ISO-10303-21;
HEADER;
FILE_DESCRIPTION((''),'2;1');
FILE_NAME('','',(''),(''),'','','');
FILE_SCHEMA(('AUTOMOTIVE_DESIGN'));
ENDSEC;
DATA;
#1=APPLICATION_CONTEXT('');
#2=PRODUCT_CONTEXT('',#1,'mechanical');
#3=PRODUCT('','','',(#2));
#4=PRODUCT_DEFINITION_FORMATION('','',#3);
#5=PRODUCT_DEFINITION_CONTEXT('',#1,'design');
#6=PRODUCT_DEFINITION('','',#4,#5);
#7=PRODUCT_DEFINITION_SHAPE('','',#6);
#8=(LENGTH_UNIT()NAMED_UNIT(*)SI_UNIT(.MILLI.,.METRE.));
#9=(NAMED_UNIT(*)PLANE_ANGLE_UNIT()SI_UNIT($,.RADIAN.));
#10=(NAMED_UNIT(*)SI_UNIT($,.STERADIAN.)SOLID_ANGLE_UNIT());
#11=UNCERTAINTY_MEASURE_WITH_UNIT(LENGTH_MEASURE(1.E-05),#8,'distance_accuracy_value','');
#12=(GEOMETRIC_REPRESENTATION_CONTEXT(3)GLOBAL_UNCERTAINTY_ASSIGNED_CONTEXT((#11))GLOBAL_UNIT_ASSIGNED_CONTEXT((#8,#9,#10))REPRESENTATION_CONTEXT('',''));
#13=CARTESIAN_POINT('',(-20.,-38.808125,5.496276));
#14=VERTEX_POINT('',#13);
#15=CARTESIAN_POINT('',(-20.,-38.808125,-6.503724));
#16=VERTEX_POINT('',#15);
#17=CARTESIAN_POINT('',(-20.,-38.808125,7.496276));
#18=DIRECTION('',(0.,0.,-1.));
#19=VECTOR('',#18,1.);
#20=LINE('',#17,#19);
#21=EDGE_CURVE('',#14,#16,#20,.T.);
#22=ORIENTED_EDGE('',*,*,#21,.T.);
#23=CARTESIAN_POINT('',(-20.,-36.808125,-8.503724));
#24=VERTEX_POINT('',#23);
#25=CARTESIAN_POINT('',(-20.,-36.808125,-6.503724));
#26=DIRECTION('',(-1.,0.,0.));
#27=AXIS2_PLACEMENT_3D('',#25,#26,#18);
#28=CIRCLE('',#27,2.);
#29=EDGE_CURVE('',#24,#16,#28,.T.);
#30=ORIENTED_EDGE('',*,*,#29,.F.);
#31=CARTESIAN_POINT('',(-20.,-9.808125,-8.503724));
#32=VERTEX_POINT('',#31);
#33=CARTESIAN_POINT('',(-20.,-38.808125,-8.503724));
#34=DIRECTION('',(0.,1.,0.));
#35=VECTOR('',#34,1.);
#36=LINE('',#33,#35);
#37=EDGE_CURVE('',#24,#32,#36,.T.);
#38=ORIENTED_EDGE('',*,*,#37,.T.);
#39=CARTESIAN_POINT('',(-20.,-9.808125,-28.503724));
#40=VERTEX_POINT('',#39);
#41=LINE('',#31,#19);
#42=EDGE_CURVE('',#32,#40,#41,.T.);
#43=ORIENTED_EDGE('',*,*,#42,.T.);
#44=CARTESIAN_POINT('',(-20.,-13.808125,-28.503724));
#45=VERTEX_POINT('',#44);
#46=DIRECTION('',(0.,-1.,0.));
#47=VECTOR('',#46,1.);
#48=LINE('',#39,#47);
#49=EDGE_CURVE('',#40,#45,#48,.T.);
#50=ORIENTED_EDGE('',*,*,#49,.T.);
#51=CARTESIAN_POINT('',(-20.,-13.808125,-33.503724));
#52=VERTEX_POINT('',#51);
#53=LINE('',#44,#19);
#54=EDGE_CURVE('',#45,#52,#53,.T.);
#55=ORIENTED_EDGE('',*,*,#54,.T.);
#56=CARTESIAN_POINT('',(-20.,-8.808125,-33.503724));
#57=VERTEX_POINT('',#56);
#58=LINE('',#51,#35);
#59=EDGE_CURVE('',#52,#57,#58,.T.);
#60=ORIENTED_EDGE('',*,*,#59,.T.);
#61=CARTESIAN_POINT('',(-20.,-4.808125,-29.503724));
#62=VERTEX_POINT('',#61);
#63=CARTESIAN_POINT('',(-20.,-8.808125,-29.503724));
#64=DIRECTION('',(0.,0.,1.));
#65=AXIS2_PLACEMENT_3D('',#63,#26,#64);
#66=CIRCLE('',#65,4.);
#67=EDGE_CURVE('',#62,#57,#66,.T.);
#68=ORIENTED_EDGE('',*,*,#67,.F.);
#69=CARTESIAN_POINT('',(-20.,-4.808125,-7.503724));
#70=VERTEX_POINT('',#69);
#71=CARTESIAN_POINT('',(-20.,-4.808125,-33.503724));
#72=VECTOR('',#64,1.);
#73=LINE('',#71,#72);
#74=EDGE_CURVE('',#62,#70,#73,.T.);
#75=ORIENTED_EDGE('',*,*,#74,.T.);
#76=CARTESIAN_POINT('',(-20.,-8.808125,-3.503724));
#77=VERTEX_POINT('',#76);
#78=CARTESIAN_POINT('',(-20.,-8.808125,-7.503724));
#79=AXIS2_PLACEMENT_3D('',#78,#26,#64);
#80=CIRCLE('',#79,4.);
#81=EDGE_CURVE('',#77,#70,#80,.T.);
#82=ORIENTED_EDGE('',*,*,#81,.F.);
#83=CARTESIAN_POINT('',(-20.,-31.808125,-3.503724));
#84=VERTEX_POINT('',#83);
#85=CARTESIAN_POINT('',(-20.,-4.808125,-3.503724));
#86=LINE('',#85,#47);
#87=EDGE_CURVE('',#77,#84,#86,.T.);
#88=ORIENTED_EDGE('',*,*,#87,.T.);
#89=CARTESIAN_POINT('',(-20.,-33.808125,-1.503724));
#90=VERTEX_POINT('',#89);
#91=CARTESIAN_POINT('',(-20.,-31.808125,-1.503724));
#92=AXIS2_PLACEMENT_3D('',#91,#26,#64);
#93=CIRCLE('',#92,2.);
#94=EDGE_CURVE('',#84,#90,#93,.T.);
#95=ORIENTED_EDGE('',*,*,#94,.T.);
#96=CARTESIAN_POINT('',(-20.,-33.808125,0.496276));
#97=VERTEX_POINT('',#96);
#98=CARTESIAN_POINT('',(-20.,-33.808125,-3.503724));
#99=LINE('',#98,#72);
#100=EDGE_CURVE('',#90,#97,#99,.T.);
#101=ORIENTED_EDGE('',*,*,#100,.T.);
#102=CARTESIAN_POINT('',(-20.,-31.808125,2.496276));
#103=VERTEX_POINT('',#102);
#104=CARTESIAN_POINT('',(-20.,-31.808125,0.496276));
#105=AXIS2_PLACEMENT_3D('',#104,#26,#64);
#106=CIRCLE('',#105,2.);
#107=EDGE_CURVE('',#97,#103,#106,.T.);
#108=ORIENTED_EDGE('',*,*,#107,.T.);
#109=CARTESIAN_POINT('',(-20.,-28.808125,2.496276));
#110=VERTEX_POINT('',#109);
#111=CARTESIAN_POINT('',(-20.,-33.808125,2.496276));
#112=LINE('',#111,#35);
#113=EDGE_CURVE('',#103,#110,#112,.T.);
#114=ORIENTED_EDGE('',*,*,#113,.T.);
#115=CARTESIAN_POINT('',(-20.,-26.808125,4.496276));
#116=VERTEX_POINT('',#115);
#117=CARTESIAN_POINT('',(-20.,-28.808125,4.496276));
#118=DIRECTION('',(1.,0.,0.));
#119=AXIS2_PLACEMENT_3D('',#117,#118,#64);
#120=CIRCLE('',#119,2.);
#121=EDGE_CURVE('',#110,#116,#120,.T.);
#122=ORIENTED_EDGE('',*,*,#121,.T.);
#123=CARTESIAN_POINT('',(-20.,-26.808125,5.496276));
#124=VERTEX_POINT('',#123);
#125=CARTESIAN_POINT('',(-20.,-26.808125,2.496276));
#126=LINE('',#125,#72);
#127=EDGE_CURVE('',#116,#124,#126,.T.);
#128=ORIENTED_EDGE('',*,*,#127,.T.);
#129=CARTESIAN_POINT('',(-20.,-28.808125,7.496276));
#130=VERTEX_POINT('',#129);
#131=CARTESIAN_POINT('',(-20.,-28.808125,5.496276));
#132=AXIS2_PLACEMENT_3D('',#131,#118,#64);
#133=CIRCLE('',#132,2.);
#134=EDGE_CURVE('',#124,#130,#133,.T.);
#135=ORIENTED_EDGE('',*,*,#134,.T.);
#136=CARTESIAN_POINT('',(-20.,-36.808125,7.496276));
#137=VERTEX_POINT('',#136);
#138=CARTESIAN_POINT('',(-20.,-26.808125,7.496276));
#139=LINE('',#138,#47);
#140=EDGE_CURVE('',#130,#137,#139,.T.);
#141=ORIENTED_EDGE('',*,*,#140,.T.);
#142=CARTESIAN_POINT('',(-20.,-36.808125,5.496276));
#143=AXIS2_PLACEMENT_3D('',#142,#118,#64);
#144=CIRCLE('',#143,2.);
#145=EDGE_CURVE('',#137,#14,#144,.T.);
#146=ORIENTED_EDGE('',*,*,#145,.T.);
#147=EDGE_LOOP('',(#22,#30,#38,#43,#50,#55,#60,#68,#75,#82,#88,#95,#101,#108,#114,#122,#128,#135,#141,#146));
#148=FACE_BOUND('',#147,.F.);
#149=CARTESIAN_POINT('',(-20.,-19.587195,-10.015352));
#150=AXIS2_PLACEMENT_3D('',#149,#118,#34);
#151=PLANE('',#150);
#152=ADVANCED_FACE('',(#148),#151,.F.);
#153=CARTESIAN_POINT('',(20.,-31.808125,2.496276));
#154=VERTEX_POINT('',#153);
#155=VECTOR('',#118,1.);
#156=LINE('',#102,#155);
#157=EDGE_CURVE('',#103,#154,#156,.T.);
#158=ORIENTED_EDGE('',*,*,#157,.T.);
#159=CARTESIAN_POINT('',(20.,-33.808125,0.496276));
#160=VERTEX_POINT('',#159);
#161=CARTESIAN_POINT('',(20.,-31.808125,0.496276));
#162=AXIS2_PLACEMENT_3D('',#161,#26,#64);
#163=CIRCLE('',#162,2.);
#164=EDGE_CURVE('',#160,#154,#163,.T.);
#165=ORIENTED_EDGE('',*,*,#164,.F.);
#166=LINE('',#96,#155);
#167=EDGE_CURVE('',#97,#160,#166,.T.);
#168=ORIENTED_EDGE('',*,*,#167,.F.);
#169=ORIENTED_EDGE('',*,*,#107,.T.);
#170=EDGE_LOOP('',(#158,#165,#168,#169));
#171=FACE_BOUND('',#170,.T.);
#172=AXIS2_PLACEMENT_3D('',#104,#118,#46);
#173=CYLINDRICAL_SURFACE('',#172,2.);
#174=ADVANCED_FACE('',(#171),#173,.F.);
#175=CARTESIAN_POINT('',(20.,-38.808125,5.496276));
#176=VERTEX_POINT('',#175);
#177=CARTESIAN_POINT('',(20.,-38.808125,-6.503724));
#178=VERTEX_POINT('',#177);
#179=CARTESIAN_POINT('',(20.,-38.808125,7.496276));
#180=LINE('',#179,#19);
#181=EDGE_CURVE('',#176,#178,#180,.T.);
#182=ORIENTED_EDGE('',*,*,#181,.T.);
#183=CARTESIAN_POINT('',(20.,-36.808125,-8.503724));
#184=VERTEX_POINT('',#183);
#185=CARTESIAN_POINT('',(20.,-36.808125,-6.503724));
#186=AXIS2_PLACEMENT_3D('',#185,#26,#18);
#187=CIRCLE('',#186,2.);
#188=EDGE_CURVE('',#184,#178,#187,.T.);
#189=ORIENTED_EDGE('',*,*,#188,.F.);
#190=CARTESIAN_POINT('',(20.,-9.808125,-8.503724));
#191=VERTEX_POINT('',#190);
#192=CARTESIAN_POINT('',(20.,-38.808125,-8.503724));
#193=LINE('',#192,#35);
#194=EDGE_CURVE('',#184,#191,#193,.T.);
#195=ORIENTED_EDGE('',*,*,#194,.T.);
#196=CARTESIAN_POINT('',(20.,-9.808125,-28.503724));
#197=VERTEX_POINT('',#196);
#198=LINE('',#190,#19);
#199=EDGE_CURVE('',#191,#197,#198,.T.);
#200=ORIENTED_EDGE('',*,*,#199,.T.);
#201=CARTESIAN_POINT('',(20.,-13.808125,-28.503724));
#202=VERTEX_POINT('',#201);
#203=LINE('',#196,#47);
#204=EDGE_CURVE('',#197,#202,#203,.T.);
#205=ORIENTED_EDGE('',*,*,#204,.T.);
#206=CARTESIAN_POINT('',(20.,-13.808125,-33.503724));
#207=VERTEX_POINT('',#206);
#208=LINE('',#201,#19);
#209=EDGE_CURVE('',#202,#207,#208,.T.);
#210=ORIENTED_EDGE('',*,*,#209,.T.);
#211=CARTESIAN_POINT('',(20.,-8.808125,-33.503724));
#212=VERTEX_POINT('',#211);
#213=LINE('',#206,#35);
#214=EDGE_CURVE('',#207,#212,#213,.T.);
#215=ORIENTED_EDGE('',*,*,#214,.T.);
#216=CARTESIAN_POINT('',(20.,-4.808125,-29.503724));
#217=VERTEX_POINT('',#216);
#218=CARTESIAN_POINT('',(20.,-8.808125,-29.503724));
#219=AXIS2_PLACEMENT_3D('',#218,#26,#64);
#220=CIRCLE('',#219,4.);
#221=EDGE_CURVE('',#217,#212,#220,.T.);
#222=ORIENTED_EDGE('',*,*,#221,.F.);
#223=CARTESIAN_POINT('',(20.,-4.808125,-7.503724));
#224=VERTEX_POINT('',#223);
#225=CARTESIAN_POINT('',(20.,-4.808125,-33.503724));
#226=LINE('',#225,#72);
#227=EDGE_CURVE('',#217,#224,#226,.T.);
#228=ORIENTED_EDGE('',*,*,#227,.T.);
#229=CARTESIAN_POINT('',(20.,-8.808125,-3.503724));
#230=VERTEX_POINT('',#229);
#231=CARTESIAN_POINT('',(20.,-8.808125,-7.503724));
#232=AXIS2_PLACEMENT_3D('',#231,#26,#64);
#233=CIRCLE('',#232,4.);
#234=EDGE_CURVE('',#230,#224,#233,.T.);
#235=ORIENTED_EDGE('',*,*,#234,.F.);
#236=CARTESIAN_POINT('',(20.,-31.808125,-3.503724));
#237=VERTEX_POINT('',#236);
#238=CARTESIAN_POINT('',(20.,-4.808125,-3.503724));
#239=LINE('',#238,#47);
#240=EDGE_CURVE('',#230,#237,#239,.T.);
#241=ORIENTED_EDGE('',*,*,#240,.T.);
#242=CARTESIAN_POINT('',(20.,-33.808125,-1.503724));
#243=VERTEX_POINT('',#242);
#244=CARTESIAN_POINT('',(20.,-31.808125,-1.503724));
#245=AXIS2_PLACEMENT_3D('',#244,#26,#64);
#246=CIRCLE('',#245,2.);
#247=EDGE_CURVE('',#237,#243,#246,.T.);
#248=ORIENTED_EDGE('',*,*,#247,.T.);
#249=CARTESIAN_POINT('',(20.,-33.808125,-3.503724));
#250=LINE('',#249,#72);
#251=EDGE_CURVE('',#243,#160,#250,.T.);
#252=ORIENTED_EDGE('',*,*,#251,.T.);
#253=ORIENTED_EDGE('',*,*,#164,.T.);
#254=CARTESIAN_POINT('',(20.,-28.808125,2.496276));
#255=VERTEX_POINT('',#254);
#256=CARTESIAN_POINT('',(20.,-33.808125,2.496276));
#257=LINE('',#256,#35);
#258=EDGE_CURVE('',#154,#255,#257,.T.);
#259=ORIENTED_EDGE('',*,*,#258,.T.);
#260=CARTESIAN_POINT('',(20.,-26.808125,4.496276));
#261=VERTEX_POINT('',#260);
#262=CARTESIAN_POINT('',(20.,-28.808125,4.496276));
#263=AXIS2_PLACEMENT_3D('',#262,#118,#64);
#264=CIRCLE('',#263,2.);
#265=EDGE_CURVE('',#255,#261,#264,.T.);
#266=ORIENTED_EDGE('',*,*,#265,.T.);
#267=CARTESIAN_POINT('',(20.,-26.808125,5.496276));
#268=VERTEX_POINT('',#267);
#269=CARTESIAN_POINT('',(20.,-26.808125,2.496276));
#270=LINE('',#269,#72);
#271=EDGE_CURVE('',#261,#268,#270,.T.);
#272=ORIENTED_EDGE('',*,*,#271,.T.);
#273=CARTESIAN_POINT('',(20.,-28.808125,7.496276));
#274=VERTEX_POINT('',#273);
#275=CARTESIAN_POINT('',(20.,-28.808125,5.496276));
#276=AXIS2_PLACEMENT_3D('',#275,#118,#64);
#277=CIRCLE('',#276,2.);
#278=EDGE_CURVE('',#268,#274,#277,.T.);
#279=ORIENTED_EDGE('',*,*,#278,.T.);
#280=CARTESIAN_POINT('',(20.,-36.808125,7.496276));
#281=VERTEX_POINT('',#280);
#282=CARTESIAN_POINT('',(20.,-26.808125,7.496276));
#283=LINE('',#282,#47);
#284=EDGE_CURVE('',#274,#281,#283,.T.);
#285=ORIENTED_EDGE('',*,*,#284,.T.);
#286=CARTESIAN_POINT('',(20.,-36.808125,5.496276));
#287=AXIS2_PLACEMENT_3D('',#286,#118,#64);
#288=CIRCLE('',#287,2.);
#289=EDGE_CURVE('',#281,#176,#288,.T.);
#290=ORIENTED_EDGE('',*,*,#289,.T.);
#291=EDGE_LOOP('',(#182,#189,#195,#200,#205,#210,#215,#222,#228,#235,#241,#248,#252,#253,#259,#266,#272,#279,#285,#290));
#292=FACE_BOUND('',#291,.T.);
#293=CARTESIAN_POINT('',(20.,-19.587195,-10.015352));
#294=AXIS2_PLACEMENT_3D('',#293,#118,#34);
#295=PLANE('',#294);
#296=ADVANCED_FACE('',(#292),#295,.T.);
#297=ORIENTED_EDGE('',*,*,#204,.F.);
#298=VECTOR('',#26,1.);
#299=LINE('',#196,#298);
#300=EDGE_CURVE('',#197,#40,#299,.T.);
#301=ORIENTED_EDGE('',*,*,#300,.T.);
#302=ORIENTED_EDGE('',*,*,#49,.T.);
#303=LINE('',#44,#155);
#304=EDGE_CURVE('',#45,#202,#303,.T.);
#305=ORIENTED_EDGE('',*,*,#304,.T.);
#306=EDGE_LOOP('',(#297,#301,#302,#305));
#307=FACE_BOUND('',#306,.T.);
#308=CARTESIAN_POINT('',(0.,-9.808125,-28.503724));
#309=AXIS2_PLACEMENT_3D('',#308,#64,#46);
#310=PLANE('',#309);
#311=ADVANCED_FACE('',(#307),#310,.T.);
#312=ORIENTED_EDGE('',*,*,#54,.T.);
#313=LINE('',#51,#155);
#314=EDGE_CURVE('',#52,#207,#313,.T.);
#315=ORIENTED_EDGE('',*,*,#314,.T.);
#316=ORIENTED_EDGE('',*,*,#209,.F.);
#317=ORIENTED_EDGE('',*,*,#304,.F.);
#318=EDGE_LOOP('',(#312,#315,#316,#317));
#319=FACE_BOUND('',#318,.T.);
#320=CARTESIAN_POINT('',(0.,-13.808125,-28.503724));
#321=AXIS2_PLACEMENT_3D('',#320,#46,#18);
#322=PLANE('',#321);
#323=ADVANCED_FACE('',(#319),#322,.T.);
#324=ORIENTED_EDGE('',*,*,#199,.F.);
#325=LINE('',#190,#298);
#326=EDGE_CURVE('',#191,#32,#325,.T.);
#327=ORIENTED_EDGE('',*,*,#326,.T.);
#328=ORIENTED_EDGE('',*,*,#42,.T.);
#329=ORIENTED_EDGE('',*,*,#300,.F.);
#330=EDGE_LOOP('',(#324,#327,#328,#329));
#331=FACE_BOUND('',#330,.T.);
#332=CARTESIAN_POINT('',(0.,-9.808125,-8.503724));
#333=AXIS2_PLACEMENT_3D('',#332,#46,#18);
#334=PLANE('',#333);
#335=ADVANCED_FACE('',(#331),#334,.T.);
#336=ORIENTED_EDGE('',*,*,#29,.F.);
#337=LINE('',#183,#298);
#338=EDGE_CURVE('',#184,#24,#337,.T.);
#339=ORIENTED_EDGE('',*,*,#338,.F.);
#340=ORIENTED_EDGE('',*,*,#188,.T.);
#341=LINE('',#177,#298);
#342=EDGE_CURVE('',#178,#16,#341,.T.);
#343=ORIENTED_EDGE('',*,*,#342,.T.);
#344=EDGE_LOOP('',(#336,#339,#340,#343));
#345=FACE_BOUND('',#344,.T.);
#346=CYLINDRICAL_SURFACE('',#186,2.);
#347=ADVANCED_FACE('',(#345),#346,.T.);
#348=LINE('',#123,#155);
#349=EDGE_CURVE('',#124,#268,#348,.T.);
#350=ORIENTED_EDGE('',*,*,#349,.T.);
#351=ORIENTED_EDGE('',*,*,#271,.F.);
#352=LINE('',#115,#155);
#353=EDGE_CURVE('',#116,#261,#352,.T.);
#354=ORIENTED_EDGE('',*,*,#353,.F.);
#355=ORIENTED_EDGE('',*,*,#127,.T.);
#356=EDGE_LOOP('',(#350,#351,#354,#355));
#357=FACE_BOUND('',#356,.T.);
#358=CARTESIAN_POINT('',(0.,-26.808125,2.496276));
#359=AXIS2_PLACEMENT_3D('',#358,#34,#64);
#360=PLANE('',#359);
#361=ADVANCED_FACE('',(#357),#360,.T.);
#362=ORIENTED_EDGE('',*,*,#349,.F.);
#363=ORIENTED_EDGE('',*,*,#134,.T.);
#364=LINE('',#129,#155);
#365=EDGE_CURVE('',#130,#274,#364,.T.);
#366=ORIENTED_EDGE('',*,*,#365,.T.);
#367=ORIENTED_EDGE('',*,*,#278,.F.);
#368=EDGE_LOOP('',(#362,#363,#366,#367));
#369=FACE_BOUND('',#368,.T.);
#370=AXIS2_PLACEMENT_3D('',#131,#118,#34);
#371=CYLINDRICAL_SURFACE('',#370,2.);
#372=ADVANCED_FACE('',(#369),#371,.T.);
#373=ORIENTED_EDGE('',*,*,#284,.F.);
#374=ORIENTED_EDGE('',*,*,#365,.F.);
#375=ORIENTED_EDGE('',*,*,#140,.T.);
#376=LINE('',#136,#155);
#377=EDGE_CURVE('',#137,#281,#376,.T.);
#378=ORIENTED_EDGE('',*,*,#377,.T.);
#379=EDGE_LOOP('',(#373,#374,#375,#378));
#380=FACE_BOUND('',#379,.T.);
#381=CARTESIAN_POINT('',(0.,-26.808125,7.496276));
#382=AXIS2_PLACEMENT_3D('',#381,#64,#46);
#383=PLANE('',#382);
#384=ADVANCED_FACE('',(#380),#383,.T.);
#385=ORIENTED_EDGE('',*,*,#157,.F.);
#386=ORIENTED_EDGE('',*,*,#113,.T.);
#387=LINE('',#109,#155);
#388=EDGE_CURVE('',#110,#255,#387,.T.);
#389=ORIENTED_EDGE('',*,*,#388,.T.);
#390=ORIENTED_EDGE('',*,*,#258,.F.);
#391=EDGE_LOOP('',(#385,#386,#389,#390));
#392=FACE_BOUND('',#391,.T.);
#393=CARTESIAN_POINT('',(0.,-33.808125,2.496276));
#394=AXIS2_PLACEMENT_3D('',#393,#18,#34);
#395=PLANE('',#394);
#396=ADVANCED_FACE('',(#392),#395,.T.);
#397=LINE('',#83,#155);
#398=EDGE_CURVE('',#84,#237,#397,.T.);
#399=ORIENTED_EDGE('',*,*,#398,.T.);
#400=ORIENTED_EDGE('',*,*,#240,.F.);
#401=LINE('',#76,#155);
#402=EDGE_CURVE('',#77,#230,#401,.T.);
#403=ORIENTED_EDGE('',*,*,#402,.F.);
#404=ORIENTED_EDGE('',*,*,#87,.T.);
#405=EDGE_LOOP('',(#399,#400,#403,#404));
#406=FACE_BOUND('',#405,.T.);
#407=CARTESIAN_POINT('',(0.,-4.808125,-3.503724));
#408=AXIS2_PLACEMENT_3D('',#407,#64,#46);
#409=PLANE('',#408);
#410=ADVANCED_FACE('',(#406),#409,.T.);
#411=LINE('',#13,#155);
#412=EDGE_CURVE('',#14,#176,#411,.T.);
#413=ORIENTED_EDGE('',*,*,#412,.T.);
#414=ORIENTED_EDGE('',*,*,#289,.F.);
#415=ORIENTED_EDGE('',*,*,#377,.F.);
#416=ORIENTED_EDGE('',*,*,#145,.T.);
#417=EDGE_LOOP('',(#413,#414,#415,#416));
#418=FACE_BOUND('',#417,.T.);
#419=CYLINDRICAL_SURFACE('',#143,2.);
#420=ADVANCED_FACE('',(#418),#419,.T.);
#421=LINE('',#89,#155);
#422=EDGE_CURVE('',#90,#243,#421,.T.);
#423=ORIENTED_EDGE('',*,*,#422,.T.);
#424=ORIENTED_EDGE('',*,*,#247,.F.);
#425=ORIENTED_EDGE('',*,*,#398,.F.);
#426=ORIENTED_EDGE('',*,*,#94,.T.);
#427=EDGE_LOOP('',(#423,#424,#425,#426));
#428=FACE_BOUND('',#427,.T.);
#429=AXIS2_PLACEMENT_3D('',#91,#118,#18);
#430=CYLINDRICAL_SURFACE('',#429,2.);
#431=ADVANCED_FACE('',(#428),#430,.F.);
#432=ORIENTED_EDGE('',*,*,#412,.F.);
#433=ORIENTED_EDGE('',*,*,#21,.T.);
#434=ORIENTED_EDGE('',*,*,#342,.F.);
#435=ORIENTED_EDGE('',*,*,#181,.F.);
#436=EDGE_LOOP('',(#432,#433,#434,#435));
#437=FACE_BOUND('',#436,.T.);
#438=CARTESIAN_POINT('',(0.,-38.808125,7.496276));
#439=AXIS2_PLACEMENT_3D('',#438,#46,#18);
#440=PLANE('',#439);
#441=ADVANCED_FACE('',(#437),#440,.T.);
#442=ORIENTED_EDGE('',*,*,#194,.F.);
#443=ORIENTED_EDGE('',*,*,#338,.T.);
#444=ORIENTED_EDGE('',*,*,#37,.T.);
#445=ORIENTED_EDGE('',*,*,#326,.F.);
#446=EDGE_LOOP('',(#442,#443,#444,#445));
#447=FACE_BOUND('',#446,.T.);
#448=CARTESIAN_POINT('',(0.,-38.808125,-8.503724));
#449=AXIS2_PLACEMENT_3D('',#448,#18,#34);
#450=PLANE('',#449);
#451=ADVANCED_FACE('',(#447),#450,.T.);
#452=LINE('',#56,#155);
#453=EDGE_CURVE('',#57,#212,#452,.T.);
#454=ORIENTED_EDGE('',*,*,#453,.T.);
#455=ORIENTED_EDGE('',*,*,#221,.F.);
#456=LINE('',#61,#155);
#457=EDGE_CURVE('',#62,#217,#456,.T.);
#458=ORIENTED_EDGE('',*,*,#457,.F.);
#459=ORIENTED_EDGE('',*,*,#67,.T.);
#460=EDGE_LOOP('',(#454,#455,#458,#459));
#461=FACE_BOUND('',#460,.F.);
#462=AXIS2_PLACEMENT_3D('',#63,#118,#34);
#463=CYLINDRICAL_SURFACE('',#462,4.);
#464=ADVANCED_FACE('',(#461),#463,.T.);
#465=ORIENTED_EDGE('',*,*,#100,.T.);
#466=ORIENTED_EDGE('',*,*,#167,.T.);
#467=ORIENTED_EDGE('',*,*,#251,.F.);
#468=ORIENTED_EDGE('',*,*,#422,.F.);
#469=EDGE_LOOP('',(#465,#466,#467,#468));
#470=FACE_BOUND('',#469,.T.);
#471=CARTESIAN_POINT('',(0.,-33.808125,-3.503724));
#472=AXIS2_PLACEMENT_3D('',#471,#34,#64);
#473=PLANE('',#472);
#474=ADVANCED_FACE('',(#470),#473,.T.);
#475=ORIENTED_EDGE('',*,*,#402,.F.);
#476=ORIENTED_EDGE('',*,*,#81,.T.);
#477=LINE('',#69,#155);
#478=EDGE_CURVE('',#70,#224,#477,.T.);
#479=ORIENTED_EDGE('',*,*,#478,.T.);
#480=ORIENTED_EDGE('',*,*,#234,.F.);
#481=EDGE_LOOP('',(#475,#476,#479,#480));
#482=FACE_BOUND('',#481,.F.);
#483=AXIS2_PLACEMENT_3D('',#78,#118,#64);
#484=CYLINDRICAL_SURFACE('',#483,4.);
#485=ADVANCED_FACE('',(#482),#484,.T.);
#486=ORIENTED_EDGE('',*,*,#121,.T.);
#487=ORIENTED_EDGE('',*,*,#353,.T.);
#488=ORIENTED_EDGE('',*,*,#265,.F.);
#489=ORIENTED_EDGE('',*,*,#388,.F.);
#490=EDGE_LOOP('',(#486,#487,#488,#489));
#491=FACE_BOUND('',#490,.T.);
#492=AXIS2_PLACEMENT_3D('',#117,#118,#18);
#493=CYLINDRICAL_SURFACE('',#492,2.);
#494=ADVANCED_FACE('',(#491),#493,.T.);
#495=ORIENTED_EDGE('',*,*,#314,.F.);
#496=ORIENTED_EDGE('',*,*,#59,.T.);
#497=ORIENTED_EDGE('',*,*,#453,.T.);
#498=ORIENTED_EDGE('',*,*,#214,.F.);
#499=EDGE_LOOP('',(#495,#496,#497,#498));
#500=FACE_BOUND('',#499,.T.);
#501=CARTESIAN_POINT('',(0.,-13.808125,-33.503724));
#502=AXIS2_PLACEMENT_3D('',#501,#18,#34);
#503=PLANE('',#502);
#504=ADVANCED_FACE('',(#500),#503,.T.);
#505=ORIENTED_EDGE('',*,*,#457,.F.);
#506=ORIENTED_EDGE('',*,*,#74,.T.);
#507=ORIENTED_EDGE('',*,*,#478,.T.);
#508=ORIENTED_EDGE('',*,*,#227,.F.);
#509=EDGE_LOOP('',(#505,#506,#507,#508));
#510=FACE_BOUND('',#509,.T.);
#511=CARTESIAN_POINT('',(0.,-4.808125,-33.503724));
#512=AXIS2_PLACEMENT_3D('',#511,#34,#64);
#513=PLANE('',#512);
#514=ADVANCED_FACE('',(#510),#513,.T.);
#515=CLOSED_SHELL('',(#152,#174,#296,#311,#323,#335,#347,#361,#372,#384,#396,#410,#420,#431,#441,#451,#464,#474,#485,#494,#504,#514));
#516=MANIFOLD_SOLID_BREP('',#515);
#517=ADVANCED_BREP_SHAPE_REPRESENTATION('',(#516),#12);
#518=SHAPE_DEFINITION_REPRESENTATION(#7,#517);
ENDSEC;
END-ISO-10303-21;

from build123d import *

# Parameters (mm, degrees)
F1_DEPTH = 20
F2_R     = 4
F3_R     = 4
F4_R     = 2


with BuildPart() as f1:
    # F0 (on Right) → F1 (new body, symmetric)
    with BuildSketch(Plane.YZ):
        Polygon((-9.808125, -28.503724), (-13.808125, -28.503724), (-13.808125, -33.503724), (-4.808125, -33.503724), (-4.808125, -3.503724), (-33.808125, -3.503724), (-33.808125, 2.496276), (-26.808125, 2.496276), (-26.808125, 7.496276), (-38.808125, 7.496276), (-38.808125, -8.503724), (-9.808125, -8.503724), align=None)
    extrude(amount=F1_DEPTH, both=True)

    # F2
    f2_edges = [f1.edges().sort_by_distance(p)[0] for p in [
        (0, -4.808125, -3.503724),
    ]]
    fillet(f2_edges, radius=F2_R)

    # F3
    f3_edges = [f1.edges().sort_by_distance(p)[0] for p in [
        (0, -4.808125, -33.503724),
    ]]
    fillet(f3_edges, radius=F3_R)

    # F4
    f4_edges = [f1.edges().sort_by_distance(p)[0] for p in [
        (0, -33.808125, 2.496276),
        (0, -26.808125, 2.496276),
        (0, -26.808125, 7.496276),
        (0, -38.808125, 7.496276),
        (0, -38.808125, -8.503724),
        (0, -33.808125, -3.503724),
    ]]
    fillet(f4_edges, radius=F4_R)


solid = f1.part
